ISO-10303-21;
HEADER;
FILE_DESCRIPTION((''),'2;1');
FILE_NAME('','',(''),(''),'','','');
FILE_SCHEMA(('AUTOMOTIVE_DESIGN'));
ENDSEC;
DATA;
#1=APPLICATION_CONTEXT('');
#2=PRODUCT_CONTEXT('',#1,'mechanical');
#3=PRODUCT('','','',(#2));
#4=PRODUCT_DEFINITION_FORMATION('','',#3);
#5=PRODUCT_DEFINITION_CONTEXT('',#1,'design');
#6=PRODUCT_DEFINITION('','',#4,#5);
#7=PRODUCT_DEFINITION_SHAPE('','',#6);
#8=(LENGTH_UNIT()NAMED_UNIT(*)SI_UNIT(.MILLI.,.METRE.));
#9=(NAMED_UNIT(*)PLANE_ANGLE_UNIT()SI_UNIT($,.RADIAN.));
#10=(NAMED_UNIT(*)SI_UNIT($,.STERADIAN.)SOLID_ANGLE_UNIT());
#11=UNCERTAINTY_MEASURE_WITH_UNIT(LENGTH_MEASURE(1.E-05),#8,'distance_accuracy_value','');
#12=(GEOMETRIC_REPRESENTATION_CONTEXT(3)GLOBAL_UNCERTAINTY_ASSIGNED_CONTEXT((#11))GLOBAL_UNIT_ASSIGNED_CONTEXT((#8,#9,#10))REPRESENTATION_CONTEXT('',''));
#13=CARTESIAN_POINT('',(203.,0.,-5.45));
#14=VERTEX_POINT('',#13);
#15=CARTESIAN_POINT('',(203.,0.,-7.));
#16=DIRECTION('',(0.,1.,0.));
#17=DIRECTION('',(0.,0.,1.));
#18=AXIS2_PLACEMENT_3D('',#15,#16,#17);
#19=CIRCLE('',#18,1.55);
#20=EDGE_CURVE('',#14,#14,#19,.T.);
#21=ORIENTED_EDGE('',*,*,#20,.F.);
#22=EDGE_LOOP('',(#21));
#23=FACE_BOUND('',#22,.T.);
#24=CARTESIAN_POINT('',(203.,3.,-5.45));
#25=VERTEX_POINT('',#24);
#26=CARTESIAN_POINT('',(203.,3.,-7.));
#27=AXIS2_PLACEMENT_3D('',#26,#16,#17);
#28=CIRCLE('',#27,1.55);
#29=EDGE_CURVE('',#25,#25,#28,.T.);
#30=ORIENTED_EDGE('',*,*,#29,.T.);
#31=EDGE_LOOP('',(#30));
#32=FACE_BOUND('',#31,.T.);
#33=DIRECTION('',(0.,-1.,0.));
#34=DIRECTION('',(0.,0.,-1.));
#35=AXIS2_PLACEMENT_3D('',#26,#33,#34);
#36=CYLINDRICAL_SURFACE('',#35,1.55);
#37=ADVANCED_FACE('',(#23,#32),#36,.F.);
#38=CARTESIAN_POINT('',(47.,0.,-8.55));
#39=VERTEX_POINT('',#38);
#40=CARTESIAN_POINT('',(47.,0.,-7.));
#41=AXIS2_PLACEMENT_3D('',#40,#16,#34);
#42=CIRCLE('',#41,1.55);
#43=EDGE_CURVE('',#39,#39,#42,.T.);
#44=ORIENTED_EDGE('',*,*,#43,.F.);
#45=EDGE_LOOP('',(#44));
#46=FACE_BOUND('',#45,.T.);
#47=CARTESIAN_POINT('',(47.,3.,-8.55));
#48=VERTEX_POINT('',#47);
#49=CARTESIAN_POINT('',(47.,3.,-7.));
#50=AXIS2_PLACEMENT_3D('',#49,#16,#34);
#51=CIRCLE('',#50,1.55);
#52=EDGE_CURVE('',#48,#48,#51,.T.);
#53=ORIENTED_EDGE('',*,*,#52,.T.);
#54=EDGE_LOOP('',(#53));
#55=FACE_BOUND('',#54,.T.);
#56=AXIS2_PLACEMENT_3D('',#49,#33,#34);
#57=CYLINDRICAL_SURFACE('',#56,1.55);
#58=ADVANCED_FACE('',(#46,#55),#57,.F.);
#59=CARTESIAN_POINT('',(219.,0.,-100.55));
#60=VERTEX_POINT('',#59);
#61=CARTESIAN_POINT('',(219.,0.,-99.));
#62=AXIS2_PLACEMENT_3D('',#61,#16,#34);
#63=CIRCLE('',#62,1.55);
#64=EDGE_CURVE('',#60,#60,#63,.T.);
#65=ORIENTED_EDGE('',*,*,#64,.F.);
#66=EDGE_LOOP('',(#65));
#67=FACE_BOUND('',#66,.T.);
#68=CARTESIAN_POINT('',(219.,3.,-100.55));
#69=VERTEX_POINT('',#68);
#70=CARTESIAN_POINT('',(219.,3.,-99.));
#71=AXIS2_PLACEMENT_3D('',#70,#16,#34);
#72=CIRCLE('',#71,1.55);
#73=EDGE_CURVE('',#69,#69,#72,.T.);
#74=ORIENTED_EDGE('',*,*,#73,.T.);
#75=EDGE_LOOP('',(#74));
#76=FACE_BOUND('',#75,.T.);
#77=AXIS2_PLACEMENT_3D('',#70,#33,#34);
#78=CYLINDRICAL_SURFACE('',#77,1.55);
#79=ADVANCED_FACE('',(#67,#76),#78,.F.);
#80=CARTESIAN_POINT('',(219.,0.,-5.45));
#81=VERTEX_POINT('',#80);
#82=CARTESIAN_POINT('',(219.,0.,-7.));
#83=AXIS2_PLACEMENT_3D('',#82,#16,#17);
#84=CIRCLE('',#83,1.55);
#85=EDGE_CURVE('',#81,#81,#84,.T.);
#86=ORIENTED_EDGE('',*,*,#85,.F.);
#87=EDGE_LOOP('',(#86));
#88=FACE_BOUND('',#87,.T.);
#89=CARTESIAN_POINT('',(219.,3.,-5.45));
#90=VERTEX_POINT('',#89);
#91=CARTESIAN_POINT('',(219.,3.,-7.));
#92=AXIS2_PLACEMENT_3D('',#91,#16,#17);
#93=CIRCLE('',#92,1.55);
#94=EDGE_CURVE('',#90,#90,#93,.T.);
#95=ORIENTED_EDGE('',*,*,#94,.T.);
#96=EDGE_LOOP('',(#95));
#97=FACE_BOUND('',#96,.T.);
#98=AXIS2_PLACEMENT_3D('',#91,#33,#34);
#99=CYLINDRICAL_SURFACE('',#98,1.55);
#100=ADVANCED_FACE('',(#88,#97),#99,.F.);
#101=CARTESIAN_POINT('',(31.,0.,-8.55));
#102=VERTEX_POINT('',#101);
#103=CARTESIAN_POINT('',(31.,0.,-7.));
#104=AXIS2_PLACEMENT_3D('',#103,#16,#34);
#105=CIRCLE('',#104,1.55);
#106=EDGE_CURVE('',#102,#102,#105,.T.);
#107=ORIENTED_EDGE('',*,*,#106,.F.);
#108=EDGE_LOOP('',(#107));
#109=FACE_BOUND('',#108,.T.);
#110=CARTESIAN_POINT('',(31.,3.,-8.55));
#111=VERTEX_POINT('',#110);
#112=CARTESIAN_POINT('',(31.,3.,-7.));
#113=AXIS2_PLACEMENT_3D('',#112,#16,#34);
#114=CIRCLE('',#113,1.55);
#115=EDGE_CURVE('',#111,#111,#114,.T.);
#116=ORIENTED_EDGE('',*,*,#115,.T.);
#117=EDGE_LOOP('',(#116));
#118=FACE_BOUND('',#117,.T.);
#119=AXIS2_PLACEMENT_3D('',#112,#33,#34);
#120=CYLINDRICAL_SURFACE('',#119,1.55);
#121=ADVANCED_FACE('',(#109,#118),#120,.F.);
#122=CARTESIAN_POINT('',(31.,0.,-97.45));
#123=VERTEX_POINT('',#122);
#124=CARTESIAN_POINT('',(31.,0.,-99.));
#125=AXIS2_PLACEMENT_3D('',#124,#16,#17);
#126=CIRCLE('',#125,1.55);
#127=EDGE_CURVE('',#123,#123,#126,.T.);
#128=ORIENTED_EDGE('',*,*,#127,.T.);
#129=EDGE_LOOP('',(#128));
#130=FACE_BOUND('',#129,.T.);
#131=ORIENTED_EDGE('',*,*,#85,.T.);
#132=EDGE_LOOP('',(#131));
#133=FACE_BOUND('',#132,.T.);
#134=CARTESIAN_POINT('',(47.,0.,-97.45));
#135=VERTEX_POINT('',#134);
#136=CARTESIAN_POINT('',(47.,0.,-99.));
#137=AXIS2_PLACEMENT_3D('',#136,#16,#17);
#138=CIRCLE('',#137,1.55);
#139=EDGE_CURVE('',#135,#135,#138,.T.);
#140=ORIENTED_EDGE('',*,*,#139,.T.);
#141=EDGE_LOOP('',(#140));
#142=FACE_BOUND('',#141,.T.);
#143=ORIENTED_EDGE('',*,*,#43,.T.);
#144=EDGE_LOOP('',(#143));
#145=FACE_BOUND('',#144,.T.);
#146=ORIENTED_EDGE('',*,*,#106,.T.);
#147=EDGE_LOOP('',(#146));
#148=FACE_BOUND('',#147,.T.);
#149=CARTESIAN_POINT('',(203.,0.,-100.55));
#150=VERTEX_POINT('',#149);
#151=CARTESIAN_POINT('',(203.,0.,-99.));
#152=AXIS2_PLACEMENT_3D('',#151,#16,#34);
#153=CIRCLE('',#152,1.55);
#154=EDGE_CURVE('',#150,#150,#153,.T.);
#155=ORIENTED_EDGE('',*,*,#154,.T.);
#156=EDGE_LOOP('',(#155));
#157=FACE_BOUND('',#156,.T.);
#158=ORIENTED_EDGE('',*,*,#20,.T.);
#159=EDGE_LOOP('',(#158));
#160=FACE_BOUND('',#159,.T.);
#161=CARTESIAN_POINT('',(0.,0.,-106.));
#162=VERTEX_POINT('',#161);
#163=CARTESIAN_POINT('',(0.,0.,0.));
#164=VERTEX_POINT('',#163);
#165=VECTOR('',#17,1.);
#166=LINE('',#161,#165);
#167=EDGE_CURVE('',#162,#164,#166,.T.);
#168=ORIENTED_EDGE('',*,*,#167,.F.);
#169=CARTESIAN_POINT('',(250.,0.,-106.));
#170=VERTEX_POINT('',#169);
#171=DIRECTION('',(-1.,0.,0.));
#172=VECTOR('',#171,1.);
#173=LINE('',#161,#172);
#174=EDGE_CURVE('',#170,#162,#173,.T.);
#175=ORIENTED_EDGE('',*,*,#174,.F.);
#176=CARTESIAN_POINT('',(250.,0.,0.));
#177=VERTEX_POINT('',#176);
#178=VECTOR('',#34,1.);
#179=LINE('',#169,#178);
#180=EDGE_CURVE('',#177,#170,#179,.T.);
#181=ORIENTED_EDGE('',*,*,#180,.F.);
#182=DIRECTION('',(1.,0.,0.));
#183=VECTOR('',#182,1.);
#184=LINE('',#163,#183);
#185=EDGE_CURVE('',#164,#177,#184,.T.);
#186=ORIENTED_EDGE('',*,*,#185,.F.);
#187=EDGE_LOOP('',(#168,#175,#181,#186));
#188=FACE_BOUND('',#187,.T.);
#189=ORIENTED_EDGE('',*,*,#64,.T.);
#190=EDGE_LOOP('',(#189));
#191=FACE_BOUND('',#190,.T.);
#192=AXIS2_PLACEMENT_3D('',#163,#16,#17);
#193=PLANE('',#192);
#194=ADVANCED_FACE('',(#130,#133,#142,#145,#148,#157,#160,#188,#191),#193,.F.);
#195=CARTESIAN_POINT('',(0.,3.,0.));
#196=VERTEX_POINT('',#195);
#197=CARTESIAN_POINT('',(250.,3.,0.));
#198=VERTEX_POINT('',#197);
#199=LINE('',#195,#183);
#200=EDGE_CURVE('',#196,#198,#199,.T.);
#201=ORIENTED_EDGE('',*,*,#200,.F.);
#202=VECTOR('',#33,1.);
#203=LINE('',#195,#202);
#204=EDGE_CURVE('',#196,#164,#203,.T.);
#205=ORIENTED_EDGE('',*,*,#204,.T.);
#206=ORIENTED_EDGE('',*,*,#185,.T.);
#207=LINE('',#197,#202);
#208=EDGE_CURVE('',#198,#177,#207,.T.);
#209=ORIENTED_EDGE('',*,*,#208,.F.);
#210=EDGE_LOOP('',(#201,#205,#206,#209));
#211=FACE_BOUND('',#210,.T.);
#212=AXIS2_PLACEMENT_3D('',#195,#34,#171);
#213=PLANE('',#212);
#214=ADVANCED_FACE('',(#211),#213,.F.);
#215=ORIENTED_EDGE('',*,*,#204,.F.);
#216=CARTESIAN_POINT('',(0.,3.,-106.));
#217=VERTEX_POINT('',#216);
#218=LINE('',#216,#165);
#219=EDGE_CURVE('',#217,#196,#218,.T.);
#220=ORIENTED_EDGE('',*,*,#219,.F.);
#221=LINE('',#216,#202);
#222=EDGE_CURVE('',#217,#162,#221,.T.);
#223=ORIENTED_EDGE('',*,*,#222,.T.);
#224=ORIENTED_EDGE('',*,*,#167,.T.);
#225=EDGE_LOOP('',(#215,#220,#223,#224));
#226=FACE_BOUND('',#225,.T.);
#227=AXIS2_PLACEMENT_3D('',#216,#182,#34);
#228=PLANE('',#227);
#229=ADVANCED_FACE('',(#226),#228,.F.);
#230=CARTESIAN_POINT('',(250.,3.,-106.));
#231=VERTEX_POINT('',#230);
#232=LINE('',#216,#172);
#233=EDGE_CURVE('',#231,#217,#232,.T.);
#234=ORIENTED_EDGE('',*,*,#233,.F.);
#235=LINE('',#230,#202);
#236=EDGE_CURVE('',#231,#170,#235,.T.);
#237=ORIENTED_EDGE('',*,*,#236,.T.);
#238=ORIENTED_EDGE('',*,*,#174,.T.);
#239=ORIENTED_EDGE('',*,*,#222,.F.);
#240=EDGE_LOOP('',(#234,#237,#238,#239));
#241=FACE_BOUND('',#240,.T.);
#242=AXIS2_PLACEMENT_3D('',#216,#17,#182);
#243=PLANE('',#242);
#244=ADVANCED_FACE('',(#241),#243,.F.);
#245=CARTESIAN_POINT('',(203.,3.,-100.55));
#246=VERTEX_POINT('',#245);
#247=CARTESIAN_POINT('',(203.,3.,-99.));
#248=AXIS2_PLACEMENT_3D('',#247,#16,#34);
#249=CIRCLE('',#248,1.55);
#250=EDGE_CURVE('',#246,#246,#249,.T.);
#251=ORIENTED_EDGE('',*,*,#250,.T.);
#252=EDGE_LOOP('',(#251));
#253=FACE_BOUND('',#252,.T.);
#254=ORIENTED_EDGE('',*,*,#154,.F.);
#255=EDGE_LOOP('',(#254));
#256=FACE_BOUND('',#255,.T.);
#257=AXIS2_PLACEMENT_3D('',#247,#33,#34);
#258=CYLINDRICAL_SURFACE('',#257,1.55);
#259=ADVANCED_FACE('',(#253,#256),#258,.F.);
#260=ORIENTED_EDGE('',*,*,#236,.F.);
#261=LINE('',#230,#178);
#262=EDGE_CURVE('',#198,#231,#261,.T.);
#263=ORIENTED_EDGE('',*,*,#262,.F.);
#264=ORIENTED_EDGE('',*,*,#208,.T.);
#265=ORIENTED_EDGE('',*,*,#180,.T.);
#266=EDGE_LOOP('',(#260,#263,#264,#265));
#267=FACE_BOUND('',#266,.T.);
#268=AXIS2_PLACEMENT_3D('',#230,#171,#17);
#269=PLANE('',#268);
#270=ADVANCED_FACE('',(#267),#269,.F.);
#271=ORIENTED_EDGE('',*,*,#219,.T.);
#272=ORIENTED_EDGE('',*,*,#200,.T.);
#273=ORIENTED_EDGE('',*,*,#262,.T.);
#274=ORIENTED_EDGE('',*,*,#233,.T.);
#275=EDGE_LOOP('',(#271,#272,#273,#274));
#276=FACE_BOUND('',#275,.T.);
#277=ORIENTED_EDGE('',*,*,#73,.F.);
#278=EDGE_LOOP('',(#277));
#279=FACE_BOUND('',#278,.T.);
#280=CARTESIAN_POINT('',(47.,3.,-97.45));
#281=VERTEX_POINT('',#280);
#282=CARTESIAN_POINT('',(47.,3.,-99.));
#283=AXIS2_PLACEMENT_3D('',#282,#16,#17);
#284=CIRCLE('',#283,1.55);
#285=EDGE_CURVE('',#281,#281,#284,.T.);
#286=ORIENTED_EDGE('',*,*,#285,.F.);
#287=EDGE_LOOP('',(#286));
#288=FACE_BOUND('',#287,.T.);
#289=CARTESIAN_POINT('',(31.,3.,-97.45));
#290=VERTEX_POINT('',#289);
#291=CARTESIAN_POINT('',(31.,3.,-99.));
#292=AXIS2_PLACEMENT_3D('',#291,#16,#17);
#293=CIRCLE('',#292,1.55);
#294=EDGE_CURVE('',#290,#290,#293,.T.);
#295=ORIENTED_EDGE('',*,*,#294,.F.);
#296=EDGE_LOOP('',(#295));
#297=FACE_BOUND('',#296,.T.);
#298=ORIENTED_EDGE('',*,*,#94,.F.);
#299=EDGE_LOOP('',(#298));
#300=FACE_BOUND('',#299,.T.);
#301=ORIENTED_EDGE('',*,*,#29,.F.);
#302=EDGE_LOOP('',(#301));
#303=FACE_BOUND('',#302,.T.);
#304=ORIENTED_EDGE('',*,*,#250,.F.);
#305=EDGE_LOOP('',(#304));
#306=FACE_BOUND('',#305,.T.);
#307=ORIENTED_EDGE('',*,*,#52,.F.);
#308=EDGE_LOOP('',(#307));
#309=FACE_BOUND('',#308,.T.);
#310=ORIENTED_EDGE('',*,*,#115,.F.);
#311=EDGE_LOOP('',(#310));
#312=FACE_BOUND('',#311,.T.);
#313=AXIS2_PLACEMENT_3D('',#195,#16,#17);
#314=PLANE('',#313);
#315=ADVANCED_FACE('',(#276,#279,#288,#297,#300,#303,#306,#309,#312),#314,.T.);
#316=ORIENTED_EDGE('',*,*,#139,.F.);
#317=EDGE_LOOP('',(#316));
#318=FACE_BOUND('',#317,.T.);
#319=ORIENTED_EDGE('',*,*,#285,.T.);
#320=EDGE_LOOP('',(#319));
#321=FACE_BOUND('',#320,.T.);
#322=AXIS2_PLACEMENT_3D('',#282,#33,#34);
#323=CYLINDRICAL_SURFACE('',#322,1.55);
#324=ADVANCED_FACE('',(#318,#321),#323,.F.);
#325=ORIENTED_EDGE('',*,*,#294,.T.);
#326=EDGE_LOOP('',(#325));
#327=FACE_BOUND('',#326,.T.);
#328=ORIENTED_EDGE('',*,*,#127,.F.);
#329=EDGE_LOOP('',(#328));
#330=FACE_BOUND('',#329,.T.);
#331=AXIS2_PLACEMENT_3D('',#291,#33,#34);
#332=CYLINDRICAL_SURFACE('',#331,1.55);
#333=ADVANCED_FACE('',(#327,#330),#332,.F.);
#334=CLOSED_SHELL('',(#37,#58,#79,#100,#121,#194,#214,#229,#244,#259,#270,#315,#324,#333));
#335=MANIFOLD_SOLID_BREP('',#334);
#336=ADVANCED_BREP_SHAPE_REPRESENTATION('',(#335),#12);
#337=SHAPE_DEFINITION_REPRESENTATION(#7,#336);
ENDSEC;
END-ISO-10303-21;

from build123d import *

# Parameters (mm, degrees)
SKETCH1_W           = 250
SKETCH1_H           = 106
SKETCH1_R           = 1.55
BOSS_EXTRUDE1_DEPTH = 3


with BuildPart() as part:
    # Sketch1 → Boss-Extrude1 (new body)
    with BuildSketch(Plane(origin=(0, 0, 0), x_dir=(1, 0, 0), z_dir=(0, 1, 0))):
        with Locations((125, 53)):
            Rectangle(SKETCH1_W, SKETCH1_H)
        with Locations(Location((31, 99, 0), (0, 0, 270))):
            Circle(SKETCH1_R, mode=Mode.SUBTRACT)
        with Locations(Location((47, 99, 0), (0, 0, 270))):
            Circle(SKETCH1_R, mode=Mode.SUBTRACT)
        with Locations(Location((203, 99, 0), (0, 0, 90))):
            Circle(SKETCH1_R, mode=Mode.SUBTRACT)
        with Locations(Location((219, 99, 0), (0, 0, 90))):
            Circle(SKETCH1_R, mode=Mode.SUBTRACT)
        with Locations(Location((219, 7, 0), (0, 0, 270))):
            Circle(SKETCH1_R, mode=Mode.SUBTRACT)
        with Locations(Location((203, 7, 0), (0, 0, 270))):
            Circle(SKETCH1_R, mode=Mode.SUBTRACT)
        with Locations(Location((47, 7, 0), (0, 0, 90))):
            Circle(SKETCH1_R, mode=Mode.SUBTRACT)
        with Locations(Location((31, 7, 0), (0, 0, 90))):
            Circle(SKETCH1_R, mode=Mode.SUBTRACT)
    extrude(amount=BOSS_EXTRUDE1_DEPTH)


solid = part.part
